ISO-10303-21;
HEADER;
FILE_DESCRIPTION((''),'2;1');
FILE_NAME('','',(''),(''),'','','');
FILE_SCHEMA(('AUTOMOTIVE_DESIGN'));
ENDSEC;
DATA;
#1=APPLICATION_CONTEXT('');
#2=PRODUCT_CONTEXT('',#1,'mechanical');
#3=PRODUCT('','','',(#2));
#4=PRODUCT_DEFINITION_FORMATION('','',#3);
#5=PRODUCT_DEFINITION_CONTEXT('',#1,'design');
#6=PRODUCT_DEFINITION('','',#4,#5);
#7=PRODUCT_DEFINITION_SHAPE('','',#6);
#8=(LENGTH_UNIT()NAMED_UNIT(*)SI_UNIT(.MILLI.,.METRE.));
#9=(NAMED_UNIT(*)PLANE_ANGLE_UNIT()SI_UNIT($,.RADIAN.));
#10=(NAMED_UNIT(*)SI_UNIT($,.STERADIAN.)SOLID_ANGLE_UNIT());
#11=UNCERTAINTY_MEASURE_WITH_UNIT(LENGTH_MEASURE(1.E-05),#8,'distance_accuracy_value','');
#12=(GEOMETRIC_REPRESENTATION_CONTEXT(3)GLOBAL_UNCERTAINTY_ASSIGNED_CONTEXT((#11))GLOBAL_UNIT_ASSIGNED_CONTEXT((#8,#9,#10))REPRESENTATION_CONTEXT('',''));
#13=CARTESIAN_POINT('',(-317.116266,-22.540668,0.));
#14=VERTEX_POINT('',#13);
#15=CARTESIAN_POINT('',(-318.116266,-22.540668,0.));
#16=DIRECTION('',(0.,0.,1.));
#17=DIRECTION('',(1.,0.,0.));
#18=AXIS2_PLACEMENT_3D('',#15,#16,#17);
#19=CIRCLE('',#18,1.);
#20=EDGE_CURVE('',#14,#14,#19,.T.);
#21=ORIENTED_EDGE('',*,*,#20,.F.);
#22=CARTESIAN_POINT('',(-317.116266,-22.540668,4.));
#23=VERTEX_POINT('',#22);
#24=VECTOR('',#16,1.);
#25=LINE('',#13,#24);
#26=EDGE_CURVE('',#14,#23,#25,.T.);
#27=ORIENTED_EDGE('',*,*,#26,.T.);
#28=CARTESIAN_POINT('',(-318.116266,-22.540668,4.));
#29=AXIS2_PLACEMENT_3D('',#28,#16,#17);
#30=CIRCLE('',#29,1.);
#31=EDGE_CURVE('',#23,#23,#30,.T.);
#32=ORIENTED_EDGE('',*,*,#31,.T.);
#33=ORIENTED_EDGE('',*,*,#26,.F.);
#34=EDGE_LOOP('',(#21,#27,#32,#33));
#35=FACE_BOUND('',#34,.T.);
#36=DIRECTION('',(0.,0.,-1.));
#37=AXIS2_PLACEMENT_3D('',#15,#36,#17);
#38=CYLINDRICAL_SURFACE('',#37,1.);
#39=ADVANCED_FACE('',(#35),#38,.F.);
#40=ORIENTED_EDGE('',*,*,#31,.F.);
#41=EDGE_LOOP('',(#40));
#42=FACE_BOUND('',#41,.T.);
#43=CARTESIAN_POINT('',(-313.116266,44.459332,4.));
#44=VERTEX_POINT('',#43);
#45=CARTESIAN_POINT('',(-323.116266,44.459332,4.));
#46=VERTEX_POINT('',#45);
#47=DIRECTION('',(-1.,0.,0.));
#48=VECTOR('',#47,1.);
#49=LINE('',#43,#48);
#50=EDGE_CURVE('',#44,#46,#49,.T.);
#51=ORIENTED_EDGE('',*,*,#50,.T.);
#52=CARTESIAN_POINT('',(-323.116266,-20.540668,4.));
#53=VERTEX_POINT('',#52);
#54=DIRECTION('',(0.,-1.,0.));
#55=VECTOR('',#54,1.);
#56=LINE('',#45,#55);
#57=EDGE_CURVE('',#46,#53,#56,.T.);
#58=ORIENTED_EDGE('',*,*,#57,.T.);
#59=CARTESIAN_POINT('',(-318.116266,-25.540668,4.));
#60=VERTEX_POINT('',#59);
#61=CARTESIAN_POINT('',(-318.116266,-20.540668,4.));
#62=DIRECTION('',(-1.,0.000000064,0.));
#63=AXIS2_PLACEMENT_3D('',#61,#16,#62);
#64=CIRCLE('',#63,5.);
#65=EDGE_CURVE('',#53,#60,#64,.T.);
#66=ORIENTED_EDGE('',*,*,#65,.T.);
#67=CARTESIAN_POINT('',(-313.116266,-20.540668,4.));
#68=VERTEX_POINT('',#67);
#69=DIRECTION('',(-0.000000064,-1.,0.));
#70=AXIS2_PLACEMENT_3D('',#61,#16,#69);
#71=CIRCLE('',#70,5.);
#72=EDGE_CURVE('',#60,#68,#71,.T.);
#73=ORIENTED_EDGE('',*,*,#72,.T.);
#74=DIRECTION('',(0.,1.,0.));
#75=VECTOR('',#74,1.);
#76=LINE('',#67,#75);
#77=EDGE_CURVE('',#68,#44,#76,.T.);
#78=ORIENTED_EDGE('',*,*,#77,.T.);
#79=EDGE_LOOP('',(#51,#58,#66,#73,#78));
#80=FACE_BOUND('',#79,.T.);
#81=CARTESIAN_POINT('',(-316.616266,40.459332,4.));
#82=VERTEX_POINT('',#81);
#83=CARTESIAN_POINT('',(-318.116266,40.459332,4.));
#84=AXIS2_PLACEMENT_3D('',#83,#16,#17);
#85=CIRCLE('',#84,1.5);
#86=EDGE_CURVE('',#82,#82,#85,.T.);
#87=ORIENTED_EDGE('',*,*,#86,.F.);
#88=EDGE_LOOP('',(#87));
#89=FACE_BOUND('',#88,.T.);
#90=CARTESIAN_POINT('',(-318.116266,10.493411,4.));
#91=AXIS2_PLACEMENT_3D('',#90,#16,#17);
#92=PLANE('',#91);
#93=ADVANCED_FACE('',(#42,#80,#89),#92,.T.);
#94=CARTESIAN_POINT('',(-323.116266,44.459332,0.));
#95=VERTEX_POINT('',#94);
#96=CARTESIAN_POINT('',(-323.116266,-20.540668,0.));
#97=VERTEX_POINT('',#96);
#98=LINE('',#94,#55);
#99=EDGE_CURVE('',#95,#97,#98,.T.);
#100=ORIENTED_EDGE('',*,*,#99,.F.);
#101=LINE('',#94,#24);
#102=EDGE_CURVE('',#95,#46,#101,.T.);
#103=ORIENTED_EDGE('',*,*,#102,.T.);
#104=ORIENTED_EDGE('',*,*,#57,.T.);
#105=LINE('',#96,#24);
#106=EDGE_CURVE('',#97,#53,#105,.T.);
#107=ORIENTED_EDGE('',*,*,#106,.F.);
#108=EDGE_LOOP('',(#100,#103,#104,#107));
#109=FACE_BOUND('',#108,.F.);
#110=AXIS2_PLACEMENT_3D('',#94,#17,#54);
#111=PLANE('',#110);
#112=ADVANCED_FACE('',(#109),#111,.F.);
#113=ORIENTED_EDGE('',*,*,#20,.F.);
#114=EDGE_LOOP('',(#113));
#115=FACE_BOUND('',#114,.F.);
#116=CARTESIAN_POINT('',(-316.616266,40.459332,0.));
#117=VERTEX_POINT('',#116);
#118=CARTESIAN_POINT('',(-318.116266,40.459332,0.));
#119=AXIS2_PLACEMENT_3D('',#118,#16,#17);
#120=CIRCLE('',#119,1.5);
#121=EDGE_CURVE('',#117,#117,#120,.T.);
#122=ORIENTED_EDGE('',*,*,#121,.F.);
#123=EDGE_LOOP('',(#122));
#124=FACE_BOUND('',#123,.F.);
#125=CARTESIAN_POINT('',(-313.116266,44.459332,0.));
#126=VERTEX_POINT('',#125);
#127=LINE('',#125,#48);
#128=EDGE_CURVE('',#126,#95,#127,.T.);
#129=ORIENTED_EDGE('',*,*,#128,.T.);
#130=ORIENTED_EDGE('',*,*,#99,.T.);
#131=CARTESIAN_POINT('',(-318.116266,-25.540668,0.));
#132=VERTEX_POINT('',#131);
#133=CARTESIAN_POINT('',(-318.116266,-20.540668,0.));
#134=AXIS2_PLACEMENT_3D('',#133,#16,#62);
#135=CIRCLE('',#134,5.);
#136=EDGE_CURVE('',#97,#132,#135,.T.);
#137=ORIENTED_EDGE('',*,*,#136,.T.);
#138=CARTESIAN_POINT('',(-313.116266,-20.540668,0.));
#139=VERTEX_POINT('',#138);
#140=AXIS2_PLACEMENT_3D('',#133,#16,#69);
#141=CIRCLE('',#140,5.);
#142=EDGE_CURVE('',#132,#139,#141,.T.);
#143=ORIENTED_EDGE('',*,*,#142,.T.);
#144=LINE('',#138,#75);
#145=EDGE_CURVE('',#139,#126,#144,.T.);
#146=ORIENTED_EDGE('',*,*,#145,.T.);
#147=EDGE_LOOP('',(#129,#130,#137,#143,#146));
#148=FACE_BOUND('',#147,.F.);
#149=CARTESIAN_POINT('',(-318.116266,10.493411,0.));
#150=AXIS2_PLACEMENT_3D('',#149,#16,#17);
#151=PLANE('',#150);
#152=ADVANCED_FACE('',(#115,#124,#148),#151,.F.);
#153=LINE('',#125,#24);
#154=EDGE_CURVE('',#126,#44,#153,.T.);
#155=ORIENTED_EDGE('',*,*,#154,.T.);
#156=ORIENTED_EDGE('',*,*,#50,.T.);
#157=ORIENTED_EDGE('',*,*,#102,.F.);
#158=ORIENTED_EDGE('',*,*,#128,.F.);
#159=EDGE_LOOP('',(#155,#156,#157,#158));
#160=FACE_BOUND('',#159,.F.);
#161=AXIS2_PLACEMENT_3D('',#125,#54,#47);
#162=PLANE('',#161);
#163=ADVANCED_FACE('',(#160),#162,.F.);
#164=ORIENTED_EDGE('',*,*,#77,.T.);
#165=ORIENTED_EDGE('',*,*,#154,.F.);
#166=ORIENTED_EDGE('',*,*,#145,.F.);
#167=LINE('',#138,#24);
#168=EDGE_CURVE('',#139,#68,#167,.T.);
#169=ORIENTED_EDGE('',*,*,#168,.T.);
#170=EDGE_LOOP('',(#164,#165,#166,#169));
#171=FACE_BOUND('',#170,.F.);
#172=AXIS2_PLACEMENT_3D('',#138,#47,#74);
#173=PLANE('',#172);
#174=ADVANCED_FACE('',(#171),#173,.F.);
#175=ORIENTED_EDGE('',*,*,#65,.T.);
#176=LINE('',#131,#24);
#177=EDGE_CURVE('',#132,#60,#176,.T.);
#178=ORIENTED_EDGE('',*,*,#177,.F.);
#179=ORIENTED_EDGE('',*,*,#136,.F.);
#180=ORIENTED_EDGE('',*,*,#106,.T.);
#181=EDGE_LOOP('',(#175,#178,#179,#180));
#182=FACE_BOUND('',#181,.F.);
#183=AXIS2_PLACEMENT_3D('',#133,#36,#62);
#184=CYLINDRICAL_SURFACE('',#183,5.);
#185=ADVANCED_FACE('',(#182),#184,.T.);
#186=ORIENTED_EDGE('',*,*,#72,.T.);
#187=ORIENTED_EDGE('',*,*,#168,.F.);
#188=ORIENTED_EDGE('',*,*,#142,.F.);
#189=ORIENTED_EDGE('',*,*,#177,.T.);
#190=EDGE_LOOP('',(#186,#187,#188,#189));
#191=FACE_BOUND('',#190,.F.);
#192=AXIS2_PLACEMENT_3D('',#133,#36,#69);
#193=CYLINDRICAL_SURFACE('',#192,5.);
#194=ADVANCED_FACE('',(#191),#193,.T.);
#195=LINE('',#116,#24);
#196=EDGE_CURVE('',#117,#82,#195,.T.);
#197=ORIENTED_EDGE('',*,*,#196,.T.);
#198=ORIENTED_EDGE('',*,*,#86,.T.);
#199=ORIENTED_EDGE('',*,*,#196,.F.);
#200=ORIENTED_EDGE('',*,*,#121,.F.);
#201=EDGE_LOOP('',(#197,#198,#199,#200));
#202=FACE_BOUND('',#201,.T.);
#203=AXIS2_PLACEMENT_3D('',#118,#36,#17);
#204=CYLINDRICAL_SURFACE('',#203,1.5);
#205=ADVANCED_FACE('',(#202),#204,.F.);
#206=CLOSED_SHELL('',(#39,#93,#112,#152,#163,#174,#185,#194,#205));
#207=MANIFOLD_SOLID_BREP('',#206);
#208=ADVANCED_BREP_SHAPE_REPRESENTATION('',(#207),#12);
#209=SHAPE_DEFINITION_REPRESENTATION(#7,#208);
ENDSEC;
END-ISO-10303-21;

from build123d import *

# Parameters (mm, degrees)
F0_R     = 1
F0_R_2   = 1.5
F1_DEPTH = 4


with BuildPart() as f1:
    # F0 (on Top) → F1 (new body)
    with BuildSketch(Plane.XY):
        with BuildLine():
            Line((-313.116266, 44.459332), (-323.116266, 44.459332))
            Line((-323.116266, 44.459332), (-323.116266, -20.540668))
            ThreePointArc((-323.116266, -20.540668), (-321.6518, -24.076202), (-318.116266, -25.540668))
            ThreePointArc((-318.116266, -25.540668), (-314.580732, -24.076202), (-313.116266, -20.540668))
            Line((-313.116266, -20.540668), (-313.116266, 36.459332))
            Line((-313.116266, 36.459332), (-313.116266, 44.459332))
        make_face()
        with Locations((-318.116266, -22.540668)):
            Circle(F0_R, mode=Mode.SUBTRACT)
        with Locations((-318.116266, 40.459332)):
            Circle(F0_R_2, mode=Mode.SUBTRACT)
    extrude(amount=F1_DEPTH)


solid = f1.part
